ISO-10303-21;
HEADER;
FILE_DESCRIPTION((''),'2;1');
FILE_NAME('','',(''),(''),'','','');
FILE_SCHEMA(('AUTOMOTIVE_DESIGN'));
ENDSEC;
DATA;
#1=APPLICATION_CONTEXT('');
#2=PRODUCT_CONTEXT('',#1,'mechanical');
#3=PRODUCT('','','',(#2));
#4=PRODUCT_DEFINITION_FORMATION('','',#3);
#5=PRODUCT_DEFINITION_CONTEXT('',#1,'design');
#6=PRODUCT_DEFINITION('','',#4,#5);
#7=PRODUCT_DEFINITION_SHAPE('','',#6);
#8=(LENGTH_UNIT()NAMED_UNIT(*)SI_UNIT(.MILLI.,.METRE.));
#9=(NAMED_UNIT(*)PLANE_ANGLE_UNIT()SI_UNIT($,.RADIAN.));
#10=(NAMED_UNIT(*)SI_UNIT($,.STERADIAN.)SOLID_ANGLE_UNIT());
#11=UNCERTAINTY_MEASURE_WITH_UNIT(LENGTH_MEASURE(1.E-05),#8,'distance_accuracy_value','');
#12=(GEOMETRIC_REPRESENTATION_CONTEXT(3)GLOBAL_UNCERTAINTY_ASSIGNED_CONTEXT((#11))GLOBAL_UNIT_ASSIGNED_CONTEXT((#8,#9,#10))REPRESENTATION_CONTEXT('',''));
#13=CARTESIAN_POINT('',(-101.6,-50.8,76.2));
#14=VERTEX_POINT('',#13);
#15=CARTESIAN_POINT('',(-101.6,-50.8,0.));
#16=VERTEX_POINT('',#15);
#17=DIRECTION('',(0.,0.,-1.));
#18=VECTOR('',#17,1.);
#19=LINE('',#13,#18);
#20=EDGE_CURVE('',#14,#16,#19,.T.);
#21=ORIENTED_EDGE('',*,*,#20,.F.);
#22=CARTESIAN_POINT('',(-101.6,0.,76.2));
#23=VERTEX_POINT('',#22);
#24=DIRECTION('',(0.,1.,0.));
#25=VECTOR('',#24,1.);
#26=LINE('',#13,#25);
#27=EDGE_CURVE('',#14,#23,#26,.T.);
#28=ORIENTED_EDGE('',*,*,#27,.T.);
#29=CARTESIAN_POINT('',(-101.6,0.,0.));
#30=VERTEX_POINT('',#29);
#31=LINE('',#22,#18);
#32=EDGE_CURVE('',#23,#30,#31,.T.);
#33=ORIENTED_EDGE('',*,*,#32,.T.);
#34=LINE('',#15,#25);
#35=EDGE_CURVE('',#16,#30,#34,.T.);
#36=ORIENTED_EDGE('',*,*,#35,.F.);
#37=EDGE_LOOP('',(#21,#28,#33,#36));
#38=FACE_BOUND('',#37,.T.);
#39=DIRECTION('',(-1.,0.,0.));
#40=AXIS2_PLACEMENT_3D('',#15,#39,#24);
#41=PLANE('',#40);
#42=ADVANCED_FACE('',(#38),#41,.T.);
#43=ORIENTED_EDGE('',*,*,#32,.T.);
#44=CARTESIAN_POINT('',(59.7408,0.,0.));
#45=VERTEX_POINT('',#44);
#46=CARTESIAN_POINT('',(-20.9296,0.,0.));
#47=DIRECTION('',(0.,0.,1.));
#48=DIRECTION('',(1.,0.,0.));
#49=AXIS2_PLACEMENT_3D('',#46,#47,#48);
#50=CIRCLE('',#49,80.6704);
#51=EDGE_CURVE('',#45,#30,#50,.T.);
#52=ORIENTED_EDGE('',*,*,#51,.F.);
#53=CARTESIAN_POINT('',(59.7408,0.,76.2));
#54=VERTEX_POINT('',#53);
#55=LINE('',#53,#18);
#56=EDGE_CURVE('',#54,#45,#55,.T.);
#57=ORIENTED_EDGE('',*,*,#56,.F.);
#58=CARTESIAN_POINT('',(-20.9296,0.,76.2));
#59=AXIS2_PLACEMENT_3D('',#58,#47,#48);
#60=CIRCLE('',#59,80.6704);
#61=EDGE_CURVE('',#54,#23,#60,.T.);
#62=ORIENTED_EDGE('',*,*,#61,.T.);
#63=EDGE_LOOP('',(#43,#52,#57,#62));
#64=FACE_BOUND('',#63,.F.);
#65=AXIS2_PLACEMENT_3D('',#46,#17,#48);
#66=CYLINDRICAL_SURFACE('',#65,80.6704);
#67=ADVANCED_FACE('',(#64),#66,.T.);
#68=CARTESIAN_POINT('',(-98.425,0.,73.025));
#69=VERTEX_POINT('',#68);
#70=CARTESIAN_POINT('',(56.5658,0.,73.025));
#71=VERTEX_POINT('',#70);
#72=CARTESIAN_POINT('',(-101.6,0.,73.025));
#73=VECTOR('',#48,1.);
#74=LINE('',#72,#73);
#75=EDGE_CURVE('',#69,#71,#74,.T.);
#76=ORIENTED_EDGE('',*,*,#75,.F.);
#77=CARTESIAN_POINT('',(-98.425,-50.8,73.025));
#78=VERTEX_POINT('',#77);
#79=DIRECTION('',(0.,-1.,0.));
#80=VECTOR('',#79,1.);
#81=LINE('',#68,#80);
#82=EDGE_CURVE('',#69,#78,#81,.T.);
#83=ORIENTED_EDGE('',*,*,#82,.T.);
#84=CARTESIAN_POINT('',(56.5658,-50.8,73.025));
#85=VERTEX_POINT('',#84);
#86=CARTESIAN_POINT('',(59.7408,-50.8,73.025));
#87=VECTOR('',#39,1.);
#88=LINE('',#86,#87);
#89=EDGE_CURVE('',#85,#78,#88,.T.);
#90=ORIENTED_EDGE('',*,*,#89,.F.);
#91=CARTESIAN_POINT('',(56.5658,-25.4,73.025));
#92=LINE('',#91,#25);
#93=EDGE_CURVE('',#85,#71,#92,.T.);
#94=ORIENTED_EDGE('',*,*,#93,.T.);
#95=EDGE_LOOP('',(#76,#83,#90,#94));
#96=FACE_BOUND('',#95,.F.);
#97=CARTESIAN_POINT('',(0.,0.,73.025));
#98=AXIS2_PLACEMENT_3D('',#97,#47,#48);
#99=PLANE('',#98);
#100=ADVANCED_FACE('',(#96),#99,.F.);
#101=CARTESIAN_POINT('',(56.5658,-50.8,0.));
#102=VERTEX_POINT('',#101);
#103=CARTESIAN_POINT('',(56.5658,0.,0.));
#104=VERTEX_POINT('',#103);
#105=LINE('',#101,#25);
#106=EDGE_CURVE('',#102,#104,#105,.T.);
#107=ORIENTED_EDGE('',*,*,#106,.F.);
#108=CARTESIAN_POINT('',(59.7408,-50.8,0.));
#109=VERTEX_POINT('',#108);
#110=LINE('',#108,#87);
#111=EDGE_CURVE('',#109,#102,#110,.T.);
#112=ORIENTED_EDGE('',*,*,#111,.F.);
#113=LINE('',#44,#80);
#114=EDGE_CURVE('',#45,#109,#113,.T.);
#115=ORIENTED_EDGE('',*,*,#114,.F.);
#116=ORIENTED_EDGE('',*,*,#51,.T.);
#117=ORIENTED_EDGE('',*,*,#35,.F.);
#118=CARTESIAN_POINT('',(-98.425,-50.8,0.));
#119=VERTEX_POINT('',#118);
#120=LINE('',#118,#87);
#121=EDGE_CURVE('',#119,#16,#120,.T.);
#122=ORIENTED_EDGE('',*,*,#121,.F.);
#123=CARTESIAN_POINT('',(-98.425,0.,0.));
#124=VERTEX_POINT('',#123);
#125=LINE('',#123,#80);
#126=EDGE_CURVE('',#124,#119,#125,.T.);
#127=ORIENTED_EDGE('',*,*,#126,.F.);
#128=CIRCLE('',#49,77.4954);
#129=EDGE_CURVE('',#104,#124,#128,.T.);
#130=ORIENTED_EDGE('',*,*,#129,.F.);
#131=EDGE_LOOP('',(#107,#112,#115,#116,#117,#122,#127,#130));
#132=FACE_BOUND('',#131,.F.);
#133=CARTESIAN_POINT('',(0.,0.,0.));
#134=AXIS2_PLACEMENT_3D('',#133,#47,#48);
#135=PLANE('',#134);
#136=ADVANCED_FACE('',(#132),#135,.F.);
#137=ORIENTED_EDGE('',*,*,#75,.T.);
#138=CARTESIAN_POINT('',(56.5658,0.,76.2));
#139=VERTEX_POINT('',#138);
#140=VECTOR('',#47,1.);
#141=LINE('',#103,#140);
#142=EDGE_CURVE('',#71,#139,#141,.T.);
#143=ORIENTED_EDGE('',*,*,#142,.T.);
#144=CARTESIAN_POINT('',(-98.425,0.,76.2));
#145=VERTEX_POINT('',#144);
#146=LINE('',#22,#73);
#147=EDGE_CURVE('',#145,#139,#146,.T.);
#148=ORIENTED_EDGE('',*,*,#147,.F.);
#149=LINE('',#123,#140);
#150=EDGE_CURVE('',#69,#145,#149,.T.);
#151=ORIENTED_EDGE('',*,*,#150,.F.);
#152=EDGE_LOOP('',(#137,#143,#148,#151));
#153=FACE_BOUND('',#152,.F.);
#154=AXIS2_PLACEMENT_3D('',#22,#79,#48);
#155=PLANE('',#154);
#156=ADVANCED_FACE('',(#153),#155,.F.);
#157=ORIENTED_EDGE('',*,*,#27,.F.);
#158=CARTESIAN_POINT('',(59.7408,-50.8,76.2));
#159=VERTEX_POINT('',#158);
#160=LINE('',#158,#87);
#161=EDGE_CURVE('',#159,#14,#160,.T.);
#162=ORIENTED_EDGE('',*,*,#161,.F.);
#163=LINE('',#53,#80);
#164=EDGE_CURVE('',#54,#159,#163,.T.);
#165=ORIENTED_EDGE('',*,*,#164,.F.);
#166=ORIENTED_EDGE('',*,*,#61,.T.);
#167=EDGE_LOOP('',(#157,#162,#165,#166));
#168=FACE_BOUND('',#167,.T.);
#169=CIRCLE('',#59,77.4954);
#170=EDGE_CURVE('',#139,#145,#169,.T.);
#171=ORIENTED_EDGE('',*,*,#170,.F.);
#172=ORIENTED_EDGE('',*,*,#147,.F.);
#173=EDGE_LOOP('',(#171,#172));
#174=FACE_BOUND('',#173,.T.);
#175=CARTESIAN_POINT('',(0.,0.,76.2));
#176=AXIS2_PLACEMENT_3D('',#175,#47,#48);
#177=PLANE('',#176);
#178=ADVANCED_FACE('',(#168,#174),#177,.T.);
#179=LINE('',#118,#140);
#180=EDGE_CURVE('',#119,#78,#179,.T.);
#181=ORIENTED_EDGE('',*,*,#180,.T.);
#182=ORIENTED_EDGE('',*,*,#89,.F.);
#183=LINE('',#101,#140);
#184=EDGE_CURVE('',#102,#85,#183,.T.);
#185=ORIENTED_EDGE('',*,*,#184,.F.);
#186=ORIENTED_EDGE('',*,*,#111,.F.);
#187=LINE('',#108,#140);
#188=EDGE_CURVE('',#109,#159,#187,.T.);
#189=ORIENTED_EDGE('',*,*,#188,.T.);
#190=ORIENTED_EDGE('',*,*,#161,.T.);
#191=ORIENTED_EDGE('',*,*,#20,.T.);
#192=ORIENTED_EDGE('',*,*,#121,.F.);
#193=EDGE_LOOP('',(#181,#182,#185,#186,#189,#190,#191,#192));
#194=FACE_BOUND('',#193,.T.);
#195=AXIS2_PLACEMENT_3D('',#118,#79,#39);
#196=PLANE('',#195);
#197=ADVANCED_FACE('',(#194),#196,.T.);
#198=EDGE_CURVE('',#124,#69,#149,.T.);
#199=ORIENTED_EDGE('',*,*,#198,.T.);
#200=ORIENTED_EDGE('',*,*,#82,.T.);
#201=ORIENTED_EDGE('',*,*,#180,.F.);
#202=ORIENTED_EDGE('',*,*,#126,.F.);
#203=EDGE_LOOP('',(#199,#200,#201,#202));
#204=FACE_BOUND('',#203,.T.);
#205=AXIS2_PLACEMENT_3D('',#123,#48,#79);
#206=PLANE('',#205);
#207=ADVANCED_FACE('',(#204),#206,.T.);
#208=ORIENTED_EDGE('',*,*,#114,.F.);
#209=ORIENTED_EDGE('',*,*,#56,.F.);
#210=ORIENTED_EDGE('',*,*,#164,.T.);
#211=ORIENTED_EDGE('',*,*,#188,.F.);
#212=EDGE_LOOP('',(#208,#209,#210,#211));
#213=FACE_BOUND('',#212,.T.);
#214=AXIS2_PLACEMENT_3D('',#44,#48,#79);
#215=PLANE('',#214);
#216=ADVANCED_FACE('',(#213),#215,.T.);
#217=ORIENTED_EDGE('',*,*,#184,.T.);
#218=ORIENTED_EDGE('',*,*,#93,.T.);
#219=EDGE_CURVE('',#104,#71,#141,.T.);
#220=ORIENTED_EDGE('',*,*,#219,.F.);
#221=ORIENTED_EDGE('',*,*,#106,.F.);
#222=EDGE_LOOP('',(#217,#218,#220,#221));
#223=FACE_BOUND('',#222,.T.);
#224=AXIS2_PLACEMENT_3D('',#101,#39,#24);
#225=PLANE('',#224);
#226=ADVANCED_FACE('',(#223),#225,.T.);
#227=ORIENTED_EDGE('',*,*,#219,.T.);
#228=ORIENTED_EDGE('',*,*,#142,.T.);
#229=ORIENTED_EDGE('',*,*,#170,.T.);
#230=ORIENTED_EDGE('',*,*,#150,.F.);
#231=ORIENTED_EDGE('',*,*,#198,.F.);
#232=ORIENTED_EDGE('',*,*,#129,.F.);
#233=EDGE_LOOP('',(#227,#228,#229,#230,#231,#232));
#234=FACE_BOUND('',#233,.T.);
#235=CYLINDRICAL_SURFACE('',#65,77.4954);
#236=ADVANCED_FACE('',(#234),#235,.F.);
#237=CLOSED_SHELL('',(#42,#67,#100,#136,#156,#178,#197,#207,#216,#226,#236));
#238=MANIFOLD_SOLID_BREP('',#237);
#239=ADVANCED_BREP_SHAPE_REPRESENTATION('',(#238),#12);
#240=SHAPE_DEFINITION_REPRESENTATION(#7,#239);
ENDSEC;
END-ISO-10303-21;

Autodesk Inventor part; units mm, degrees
ref_plane "YZ Plane" through (0, 0, 0) normal (1, 0, 0) x (0, 1, 0)
ref_plane "XZ Plane" through (0, 0, 0) normal (0, 1, 0) x (-1, 0, 0)
ref_plane "XY Plane" through (0, 0, 0) normal (0, 0, 1) x (1, 0, 0)
sketch "Sketch1" plane through (0, 0, 0) normal (0, 0, 1) x (1, 0, 0)
  line L0 (59.7408, 0) -> (59.7408, -50.8)
  line L1 (-101.6, -50.8) -> (-101.6, 0)
  arc A0 (59.7408, 0) -> (-101.6, 0) centre (-20.9296, 0) ccw
  arc A1 (56.5658, 0) -> (-98.425, 0) centre (-20.9296, 0) ccw
  line L2 (-98.425, 0) -> (-98.425, -50.8)
  line L3 (56.5658, -50.8) -> (56.5658, 0)
  line L4 (-101.6, 0) -> (-98.425, 0)
  line L5 (56.5658, 0) -> (59.7408, 0)
  line L6 (-101.6, 0) -> (-98.425, 0)
  line L7 (56.5658, 0) -> (59.7408, 0)
  line L8 (59.7408, -50.8) -> (56.5658, -50.8)
  line L9 (-98.425, -50.8) -> (-101.6, -50.8)
  point P0 (0, 0)
  dimension "d5" = 161.3408
  dimension "d6" = 50.8
  dimension "d7" = 3.175
  dimension "d8" = 3.175
extrude "Extrusion1" add sketch "Sketch1" along normal blind 76.2
sketch "Sketch2" plane through (0, 0, 76.2) normal (0, 0, 1) x (1, 0, 0)
  line L0 (-101.6, 0) -> (59.7408, 0)
  line L1 (59.7408, 0) -> (59.7408, -50.8)
  line L2 (59.7408, -50.8) -> (-101.6, -50.8)
  line L3 (-101.6, -50.8) -> (-101.6, 0)
  point P0 (0, 0)
extrude "Extrusion2" add sketch "Sketch2" against normal blind 3.175
properties part number "Bucket Flap" material "Polycarbonate, Clear"
